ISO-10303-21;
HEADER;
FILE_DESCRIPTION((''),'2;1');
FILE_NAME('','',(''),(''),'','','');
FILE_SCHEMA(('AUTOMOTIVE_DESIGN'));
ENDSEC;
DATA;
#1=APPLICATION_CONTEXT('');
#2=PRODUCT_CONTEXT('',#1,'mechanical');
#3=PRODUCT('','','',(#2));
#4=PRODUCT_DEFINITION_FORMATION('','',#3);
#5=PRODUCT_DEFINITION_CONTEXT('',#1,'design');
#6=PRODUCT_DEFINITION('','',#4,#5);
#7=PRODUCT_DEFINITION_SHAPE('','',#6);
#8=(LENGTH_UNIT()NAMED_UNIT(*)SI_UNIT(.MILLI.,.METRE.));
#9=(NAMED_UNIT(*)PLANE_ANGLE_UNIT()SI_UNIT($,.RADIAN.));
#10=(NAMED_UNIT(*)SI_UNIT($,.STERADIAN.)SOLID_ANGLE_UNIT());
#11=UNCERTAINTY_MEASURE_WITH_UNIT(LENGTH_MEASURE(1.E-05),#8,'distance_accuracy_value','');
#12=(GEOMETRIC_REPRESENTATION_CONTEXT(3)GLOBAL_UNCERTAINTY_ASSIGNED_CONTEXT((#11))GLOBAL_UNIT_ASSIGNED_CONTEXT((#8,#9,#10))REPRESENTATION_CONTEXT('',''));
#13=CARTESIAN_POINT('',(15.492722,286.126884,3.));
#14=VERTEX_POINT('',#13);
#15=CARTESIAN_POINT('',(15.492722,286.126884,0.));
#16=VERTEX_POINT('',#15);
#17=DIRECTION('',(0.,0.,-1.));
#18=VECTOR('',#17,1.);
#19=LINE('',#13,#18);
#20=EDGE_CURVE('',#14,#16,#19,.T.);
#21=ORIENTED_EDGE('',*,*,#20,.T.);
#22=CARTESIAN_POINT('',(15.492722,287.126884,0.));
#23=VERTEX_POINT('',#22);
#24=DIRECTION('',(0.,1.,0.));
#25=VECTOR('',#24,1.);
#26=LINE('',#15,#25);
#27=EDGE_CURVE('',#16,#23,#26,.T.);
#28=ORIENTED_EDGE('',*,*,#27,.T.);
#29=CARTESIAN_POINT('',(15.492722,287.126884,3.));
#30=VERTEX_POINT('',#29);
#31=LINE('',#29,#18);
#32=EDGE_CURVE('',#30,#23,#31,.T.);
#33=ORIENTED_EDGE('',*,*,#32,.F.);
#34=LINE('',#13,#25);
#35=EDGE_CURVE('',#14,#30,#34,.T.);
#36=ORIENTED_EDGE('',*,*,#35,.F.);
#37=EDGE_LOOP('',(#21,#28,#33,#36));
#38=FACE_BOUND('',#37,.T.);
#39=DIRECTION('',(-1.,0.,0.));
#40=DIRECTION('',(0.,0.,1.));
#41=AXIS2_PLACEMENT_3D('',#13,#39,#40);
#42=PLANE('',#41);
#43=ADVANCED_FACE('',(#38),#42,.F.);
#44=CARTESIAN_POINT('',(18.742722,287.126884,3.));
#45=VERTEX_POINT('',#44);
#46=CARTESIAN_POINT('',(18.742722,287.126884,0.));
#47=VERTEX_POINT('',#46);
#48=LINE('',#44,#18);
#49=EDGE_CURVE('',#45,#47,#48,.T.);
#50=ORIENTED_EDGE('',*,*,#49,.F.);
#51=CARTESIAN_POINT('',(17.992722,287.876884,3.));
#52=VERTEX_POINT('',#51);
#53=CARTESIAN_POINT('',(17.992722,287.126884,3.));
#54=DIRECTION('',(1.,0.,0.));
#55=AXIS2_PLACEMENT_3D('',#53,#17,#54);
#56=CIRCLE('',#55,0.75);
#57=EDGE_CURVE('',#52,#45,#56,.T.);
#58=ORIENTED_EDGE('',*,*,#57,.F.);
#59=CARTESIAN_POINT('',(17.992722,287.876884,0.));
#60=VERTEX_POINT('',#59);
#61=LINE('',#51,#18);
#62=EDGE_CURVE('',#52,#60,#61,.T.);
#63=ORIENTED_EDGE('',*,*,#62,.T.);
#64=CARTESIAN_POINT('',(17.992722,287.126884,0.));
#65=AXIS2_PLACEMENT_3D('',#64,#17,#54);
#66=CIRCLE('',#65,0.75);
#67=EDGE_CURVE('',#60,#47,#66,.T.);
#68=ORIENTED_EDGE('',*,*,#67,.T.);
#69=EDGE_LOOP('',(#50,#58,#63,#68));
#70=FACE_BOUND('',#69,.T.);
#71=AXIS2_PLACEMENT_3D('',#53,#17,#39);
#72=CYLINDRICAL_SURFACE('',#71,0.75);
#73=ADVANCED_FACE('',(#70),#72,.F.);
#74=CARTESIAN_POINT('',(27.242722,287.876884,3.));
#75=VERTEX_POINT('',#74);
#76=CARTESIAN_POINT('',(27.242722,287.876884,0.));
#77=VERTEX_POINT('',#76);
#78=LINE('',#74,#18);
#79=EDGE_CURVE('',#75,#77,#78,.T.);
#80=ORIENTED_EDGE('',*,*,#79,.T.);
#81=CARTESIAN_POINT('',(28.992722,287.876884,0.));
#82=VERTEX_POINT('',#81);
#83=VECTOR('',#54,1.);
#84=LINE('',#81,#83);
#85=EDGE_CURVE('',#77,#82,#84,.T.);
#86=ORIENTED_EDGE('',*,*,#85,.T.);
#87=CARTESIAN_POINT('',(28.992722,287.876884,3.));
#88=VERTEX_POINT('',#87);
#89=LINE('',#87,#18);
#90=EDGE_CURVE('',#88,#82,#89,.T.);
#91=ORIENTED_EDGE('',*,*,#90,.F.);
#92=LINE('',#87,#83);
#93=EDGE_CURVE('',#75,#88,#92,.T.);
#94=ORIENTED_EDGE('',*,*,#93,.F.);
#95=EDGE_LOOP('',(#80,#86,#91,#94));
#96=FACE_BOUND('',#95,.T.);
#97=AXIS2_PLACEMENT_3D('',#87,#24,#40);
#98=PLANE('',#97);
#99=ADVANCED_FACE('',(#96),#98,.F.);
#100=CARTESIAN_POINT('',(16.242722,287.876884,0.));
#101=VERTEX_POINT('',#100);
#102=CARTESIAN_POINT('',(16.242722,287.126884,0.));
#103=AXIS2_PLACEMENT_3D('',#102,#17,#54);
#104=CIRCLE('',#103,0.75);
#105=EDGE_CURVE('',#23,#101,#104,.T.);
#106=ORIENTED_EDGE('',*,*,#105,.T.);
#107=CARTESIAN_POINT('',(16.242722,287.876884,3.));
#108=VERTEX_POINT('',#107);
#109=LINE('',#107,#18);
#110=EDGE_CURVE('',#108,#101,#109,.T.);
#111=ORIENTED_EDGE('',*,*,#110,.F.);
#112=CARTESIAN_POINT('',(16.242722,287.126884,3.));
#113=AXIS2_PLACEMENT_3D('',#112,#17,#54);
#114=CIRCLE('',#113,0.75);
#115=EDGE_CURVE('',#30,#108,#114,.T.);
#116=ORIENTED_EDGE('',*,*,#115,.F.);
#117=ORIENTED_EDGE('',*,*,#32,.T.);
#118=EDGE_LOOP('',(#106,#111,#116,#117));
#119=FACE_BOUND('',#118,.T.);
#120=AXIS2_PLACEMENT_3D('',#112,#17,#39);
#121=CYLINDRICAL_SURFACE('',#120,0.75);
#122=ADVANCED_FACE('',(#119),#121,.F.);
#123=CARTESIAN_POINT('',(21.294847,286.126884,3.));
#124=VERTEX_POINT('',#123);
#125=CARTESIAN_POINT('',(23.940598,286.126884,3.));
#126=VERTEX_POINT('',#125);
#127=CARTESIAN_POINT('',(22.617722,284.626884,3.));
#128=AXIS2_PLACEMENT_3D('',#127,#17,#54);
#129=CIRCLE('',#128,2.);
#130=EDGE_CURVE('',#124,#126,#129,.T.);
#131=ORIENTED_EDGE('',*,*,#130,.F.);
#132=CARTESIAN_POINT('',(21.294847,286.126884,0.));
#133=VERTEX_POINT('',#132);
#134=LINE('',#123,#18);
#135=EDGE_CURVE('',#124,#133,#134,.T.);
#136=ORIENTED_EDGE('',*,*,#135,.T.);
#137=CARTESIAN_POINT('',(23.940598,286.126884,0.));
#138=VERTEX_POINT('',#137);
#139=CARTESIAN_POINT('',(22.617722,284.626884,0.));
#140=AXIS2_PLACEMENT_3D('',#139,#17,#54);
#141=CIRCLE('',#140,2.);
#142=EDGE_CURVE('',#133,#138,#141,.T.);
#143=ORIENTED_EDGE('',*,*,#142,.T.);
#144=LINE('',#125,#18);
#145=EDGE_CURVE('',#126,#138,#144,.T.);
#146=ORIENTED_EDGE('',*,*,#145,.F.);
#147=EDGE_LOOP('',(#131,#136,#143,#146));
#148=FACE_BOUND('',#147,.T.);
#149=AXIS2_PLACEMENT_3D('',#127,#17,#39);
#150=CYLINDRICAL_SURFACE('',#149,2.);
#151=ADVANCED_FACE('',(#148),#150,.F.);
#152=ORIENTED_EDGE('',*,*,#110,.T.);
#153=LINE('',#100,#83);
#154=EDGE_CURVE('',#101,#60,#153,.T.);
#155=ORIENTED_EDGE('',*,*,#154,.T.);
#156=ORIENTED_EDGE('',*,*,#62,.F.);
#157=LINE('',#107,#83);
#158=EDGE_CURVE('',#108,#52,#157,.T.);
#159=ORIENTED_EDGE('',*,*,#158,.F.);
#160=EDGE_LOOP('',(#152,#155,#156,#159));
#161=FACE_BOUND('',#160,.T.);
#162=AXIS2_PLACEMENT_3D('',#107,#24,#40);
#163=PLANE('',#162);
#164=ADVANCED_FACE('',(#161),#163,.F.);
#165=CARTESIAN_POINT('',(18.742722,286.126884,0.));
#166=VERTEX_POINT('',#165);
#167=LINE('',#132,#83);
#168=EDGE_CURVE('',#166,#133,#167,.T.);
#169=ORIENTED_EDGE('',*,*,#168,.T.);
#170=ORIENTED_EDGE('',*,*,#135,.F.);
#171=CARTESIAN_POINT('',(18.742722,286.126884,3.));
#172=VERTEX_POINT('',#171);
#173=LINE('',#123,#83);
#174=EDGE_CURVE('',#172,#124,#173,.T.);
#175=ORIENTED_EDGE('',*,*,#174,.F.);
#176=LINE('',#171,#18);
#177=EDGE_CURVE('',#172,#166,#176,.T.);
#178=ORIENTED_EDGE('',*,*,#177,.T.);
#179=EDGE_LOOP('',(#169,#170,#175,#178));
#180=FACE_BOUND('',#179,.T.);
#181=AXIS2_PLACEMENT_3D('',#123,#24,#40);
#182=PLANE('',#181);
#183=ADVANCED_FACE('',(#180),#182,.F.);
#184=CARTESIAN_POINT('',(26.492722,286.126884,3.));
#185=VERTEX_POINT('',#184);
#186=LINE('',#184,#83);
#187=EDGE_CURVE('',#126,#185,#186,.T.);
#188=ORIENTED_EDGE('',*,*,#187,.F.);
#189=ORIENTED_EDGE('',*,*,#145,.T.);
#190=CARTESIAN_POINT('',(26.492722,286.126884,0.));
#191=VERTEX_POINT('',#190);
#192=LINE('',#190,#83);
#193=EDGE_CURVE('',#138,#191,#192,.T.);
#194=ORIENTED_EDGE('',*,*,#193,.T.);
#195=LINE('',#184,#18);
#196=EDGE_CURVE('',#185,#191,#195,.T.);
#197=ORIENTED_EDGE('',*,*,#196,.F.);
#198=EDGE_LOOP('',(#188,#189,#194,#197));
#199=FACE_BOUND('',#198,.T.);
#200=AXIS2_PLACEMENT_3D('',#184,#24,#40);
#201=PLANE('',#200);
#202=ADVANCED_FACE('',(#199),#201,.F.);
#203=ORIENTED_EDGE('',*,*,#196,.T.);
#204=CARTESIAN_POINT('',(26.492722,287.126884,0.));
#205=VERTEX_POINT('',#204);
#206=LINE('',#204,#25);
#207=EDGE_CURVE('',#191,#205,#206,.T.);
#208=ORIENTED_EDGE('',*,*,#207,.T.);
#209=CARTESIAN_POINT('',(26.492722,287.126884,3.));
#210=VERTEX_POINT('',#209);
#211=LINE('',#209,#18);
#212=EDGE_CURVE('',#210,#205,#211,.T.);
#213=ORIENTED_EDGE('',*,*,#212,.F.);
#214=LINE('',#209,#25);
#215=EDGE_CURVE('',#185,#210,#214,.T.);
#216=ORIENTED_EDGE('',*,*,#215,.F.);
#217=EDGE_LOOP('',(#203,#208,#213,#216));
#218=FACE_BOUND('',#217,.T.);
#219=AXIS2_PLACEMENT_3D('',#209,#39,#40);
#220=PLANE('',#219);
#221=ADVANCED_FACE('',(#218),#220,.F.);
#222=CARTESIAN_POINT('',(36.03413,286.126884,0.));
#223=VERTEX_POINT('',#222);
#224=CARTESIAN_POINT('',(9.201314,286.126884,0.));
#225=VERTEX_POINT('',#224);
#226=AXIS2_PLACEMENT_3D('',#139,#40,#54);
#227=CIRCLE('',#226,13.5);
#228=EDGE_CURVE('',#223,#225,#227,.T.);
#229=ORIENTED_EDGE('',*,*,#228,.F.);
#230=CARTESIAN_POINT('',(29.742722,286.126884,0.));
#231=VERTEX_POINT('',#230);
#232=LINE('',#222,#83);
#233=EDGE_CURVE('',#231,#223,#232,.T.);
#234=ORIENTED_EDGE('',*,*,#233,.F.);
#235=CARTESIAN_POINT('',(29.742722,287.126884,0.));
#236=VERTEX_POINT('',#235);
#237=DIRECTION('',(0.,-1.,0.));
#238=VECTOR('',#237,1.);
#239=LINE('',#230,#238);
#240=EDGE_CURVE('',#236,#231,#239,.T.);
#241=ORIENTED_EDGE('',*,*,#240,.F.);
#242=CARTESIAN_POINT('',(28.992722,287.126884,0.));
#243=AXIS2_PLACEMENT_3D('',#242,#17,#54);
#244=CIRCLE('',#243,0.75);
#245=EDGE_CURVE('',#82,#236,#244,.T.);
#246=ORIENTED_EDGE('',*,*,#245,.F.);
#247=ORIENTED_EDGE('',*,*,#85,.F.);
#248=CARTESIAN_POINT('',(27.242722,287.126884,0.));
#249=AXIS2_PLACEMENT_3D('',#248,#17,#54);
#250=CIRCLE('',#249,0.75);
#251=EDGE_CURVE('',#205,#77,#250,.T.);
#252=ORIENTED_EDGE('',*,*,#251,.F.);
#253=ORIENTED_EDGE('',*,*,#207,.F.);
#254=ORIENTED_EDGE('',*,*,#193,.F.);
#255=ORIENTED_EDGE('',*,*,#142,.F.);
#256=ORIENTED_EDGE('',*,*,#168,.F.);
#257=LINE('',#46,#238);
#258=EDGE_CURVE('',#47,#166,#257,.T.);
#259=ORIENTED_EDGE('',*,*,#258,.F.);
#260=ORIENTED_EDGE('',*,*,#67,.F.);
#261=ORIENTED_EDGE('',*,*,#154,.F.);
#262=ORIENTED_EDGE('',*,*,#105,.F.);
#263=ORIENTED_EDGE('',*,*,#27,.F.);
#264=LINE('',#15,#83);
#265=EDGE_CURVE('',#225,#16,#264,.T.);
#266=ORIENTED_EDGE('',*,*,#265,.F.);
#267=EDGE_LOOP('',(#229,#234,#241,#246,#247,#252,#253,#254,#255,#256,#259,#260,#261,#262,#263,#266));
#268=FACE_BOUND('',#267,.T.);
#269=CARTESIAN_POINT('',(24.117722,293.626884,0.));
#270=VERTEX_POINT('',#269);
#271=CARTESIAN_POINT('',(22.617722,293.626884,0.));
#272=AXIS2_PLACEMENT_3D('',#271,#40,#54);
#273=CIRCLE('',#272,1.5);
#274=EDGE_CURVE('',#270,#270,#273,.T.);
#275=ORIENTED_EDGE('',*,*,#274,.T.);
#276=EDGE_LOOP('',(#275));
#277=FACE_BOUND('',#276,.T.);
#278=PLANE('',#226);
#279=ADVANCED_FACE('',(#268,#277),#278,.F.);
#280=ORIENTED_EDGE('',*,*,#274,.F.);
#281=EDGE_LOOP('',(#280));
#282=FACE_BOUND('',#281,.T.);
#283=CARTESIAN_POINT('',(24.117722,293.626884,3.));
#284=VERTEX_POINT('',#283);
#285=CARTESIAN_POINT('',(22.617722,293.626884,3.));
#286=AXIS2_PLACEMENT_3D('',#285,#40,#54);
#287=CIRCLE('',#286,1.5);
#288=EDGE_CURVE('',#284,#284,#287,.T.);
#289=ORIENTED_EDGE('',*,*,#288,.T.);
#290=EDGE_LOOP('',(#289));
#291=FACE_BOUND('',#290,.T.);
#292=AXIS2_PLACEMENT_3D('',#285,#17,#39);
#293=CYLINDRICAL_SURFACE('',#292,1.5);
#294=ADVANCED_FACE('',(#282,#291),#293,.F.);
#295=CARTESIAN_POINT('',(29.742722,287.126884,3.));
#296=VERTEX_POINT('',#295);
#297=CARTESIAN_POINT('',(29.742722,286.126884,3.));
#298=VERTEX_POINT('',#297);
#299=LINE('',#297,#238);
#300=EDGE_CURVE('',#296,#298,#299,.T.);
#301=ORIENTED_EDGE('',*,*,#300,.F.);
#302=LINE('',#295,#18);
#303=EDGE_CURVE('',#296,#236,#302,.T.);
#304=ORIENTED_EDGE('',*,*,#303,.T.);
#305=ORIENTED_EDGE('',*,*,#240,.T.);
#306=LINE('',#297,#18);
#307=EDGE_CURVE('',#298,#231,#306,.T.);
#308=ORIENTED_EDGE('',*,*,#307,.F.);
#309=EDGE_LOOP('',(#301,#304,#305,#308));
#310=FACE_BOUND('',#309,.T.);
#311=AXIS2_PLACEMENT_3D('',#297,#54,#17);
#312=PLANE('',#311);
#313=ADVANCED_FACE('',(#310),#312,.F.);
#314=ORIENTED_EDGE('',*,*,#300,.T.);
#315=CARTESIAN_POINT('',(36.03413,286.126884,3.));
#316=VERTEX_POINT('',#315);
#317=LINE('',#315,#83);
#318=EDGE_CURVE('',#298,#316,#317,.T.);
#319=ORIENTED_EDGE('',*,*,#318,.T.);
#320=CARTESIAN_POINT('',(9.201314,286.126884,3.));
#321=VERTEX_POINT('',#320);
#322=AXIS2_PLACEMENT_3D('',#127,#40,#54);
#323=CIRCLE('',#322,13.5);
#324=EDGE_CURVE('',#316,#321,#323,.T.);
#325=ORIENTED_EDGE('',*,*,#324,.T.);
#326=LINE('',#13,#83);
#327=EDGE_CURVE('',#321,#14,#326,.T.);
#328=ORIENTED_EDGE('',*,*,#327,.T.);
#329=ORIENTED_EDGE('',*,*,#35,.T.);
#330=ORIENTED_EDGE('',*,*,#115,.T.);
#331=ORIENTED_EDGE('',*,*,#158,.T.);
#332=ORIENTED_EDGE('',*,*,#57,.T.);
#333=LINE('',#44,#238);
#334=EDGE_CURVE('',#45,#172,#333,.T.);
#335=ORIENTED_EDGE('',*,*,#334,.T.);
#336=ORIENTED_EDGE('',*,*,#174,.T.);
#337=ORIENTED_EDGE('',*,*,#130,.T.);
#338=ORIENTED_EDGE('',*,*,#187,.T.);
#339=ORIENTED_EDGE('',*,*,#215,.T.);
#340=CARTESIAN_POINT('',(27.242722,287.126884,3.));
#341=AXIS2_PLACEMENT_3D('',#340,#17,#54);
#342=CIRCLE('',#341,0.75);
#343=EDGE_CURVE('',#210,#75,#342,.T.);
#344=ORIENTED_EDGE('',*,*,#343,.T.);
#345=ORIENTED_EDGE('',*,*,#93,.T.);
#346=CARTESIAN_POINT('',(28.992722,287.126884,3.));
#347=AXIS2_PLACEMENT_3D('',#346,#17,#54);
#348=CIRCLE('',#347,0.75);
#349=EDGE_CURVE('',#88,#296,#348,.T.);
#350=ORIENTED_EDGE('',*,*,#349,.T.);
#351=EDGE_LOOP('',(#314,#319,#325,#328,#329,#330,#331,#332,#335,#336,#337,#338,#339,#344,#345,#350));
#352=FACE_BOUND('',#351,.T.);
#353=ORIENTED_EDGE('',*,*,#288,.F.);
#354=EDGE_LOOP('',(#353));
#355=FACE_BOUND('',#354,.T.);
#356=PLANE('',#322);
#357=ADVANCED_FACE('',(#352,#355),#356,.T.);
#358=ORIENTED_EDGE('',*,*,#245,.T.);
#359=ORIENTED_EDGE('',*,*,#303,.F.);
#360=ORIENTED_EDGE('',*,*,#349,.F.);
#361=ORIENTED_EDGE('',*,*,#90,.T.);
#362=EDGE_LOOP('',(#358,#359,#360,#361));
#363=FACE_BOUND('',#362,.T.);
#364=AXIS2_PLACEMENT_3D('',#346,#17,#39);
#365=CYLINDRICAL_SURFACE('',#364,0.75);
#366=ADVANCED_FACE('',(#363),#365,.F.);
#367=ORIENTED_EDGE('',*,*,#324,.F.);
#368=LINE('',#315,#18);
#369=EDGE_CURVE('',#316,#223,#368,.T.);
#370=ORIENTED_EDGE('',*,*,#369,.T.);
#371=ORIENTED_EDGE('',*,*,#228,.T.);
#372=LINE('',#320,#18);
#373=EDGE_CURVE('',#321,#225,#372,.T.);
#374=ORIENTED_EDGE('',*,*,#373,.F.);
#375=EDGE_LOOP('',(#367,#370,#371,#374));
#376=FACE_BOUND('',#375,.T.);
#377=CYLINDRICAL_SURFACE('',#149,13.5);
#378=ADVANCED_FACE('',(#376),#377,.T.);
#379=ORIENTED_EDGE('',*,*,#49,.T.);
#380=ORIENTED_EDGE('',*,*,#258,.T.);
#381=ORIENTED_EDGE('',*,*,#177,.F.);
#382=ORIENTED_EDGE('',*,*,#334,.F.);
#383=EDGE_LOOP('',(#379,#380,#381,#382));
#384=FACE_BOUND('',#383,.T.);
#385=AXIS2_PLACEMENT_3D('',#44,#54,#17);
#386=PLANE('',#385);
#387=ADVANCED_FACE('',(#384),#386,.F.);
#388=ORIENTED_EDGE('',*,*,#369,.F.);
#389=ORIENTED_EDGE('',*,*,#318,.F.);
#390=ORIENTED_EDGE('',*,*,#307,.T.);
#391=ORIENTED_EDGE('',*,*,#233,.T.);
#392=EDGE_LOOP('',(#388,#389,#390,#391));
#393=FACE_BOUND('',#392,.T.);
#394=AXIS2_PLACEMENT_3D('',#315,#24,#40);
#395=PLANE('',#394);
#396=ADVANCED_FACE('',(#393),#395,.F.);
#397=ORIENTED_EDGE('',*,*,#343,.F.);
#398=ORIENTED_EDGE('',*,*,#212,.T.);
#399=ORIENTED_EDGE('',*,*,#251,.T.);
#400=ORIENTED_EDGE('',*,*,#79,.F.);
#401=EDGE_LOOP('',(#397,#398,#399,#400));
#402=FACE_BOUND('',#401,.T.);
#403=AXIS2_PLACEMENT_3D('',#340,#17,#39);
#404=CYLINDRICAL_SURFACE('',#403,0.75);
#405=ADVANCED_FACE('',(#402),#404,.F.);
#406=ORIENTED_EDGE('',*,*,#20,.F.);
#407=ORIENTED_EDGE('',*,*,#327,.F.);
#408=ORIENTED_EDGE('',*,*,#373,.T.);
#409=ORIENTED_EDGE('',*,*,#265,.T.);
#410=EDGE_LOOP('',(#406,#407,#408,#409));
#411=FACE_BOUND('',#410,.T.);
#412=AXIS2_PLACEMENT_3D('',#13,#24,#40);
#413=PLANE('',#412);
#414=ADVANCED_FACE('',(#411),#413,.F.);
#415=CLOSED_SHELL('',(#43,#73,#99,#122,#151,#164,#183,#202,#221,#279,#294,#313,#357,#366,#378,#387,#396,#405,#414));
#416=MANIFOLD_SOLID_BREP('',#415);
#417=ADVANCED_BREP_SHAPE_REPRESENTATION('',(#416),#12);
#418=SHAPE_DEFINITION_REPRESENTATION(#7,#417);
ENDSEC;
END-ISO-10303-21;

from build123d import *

# Parameters (mm, degrees)
MODEL_R                 = 1.5
SALIENTE_EXTRUIR1_DEPTH = 3


with BuildPart() as part:
    # Model → Saliente-Extruir1 (new body)
    with BuildSketch(Plane.XY):
        with BuildLine():
            Line((21.294846678, 286.126884365), (18.742722334, 286.126884365))
            Line((18.742722334, 286.126884365), (18.742722334, 287.126884365))
            ThreePointArc((18.742722334, 287.126884365), (18.523052419, 287.657214451), (17.992722334, 287.876884365))
            Line((17.992722334, 287.876884365), (16.242722334, 287.876884365))
            ThreePointArc((16.242722334, 287.876884365), (15.712392248, 287.657214451), (15.492722334, 287.126884365))
            Line((15.492722334, 287.126884365), (15.492722334, 286.126884365))
            Line((15.492722334, 286.126884365), (9.201314468, 286.126884365))
            ThreePointArc((9.201314468, 286.126884365), (22.617722333, 298.126884365), (36.034130199, 286.126884365))
            Line((36.034130199, 286.126884365), (29.742722334, 286.126884365))
            Line((29.742722334, 286.126884365), (29.742722334, 287.126884365))
            ThreePointArc((29.742722334, 287.126884365), (29.523052419, 287.657214451), (28.992722334, 287.876884365))
            Line((28.992722334, 287.876884365), (27.242722334, 287.876884365))
            ThreePointArc((27.242722334, 287.876884365), (26.712392248, 287.657214451), (26.492722334, 287.126884365))
            Line((26.492722334, 287.126884365), (26.492722334, 286.126884365))
            Line((26.492722334, 286.126884365), (23.940597989, 286.126884365))
            ThreePointArc((23.940597989, 286.126884365), (22.617722333, 286.626884365), (21.294846678, 286.126884365))
        make_face()
        with Locations((22.617722334, 293.626884365)):
            Circle(MODEL_R, mode=Mode.SUBTRACT)
    extrude(amount=SALIENTE_EXTRUIR1_DEPTH)


solid = part.part
